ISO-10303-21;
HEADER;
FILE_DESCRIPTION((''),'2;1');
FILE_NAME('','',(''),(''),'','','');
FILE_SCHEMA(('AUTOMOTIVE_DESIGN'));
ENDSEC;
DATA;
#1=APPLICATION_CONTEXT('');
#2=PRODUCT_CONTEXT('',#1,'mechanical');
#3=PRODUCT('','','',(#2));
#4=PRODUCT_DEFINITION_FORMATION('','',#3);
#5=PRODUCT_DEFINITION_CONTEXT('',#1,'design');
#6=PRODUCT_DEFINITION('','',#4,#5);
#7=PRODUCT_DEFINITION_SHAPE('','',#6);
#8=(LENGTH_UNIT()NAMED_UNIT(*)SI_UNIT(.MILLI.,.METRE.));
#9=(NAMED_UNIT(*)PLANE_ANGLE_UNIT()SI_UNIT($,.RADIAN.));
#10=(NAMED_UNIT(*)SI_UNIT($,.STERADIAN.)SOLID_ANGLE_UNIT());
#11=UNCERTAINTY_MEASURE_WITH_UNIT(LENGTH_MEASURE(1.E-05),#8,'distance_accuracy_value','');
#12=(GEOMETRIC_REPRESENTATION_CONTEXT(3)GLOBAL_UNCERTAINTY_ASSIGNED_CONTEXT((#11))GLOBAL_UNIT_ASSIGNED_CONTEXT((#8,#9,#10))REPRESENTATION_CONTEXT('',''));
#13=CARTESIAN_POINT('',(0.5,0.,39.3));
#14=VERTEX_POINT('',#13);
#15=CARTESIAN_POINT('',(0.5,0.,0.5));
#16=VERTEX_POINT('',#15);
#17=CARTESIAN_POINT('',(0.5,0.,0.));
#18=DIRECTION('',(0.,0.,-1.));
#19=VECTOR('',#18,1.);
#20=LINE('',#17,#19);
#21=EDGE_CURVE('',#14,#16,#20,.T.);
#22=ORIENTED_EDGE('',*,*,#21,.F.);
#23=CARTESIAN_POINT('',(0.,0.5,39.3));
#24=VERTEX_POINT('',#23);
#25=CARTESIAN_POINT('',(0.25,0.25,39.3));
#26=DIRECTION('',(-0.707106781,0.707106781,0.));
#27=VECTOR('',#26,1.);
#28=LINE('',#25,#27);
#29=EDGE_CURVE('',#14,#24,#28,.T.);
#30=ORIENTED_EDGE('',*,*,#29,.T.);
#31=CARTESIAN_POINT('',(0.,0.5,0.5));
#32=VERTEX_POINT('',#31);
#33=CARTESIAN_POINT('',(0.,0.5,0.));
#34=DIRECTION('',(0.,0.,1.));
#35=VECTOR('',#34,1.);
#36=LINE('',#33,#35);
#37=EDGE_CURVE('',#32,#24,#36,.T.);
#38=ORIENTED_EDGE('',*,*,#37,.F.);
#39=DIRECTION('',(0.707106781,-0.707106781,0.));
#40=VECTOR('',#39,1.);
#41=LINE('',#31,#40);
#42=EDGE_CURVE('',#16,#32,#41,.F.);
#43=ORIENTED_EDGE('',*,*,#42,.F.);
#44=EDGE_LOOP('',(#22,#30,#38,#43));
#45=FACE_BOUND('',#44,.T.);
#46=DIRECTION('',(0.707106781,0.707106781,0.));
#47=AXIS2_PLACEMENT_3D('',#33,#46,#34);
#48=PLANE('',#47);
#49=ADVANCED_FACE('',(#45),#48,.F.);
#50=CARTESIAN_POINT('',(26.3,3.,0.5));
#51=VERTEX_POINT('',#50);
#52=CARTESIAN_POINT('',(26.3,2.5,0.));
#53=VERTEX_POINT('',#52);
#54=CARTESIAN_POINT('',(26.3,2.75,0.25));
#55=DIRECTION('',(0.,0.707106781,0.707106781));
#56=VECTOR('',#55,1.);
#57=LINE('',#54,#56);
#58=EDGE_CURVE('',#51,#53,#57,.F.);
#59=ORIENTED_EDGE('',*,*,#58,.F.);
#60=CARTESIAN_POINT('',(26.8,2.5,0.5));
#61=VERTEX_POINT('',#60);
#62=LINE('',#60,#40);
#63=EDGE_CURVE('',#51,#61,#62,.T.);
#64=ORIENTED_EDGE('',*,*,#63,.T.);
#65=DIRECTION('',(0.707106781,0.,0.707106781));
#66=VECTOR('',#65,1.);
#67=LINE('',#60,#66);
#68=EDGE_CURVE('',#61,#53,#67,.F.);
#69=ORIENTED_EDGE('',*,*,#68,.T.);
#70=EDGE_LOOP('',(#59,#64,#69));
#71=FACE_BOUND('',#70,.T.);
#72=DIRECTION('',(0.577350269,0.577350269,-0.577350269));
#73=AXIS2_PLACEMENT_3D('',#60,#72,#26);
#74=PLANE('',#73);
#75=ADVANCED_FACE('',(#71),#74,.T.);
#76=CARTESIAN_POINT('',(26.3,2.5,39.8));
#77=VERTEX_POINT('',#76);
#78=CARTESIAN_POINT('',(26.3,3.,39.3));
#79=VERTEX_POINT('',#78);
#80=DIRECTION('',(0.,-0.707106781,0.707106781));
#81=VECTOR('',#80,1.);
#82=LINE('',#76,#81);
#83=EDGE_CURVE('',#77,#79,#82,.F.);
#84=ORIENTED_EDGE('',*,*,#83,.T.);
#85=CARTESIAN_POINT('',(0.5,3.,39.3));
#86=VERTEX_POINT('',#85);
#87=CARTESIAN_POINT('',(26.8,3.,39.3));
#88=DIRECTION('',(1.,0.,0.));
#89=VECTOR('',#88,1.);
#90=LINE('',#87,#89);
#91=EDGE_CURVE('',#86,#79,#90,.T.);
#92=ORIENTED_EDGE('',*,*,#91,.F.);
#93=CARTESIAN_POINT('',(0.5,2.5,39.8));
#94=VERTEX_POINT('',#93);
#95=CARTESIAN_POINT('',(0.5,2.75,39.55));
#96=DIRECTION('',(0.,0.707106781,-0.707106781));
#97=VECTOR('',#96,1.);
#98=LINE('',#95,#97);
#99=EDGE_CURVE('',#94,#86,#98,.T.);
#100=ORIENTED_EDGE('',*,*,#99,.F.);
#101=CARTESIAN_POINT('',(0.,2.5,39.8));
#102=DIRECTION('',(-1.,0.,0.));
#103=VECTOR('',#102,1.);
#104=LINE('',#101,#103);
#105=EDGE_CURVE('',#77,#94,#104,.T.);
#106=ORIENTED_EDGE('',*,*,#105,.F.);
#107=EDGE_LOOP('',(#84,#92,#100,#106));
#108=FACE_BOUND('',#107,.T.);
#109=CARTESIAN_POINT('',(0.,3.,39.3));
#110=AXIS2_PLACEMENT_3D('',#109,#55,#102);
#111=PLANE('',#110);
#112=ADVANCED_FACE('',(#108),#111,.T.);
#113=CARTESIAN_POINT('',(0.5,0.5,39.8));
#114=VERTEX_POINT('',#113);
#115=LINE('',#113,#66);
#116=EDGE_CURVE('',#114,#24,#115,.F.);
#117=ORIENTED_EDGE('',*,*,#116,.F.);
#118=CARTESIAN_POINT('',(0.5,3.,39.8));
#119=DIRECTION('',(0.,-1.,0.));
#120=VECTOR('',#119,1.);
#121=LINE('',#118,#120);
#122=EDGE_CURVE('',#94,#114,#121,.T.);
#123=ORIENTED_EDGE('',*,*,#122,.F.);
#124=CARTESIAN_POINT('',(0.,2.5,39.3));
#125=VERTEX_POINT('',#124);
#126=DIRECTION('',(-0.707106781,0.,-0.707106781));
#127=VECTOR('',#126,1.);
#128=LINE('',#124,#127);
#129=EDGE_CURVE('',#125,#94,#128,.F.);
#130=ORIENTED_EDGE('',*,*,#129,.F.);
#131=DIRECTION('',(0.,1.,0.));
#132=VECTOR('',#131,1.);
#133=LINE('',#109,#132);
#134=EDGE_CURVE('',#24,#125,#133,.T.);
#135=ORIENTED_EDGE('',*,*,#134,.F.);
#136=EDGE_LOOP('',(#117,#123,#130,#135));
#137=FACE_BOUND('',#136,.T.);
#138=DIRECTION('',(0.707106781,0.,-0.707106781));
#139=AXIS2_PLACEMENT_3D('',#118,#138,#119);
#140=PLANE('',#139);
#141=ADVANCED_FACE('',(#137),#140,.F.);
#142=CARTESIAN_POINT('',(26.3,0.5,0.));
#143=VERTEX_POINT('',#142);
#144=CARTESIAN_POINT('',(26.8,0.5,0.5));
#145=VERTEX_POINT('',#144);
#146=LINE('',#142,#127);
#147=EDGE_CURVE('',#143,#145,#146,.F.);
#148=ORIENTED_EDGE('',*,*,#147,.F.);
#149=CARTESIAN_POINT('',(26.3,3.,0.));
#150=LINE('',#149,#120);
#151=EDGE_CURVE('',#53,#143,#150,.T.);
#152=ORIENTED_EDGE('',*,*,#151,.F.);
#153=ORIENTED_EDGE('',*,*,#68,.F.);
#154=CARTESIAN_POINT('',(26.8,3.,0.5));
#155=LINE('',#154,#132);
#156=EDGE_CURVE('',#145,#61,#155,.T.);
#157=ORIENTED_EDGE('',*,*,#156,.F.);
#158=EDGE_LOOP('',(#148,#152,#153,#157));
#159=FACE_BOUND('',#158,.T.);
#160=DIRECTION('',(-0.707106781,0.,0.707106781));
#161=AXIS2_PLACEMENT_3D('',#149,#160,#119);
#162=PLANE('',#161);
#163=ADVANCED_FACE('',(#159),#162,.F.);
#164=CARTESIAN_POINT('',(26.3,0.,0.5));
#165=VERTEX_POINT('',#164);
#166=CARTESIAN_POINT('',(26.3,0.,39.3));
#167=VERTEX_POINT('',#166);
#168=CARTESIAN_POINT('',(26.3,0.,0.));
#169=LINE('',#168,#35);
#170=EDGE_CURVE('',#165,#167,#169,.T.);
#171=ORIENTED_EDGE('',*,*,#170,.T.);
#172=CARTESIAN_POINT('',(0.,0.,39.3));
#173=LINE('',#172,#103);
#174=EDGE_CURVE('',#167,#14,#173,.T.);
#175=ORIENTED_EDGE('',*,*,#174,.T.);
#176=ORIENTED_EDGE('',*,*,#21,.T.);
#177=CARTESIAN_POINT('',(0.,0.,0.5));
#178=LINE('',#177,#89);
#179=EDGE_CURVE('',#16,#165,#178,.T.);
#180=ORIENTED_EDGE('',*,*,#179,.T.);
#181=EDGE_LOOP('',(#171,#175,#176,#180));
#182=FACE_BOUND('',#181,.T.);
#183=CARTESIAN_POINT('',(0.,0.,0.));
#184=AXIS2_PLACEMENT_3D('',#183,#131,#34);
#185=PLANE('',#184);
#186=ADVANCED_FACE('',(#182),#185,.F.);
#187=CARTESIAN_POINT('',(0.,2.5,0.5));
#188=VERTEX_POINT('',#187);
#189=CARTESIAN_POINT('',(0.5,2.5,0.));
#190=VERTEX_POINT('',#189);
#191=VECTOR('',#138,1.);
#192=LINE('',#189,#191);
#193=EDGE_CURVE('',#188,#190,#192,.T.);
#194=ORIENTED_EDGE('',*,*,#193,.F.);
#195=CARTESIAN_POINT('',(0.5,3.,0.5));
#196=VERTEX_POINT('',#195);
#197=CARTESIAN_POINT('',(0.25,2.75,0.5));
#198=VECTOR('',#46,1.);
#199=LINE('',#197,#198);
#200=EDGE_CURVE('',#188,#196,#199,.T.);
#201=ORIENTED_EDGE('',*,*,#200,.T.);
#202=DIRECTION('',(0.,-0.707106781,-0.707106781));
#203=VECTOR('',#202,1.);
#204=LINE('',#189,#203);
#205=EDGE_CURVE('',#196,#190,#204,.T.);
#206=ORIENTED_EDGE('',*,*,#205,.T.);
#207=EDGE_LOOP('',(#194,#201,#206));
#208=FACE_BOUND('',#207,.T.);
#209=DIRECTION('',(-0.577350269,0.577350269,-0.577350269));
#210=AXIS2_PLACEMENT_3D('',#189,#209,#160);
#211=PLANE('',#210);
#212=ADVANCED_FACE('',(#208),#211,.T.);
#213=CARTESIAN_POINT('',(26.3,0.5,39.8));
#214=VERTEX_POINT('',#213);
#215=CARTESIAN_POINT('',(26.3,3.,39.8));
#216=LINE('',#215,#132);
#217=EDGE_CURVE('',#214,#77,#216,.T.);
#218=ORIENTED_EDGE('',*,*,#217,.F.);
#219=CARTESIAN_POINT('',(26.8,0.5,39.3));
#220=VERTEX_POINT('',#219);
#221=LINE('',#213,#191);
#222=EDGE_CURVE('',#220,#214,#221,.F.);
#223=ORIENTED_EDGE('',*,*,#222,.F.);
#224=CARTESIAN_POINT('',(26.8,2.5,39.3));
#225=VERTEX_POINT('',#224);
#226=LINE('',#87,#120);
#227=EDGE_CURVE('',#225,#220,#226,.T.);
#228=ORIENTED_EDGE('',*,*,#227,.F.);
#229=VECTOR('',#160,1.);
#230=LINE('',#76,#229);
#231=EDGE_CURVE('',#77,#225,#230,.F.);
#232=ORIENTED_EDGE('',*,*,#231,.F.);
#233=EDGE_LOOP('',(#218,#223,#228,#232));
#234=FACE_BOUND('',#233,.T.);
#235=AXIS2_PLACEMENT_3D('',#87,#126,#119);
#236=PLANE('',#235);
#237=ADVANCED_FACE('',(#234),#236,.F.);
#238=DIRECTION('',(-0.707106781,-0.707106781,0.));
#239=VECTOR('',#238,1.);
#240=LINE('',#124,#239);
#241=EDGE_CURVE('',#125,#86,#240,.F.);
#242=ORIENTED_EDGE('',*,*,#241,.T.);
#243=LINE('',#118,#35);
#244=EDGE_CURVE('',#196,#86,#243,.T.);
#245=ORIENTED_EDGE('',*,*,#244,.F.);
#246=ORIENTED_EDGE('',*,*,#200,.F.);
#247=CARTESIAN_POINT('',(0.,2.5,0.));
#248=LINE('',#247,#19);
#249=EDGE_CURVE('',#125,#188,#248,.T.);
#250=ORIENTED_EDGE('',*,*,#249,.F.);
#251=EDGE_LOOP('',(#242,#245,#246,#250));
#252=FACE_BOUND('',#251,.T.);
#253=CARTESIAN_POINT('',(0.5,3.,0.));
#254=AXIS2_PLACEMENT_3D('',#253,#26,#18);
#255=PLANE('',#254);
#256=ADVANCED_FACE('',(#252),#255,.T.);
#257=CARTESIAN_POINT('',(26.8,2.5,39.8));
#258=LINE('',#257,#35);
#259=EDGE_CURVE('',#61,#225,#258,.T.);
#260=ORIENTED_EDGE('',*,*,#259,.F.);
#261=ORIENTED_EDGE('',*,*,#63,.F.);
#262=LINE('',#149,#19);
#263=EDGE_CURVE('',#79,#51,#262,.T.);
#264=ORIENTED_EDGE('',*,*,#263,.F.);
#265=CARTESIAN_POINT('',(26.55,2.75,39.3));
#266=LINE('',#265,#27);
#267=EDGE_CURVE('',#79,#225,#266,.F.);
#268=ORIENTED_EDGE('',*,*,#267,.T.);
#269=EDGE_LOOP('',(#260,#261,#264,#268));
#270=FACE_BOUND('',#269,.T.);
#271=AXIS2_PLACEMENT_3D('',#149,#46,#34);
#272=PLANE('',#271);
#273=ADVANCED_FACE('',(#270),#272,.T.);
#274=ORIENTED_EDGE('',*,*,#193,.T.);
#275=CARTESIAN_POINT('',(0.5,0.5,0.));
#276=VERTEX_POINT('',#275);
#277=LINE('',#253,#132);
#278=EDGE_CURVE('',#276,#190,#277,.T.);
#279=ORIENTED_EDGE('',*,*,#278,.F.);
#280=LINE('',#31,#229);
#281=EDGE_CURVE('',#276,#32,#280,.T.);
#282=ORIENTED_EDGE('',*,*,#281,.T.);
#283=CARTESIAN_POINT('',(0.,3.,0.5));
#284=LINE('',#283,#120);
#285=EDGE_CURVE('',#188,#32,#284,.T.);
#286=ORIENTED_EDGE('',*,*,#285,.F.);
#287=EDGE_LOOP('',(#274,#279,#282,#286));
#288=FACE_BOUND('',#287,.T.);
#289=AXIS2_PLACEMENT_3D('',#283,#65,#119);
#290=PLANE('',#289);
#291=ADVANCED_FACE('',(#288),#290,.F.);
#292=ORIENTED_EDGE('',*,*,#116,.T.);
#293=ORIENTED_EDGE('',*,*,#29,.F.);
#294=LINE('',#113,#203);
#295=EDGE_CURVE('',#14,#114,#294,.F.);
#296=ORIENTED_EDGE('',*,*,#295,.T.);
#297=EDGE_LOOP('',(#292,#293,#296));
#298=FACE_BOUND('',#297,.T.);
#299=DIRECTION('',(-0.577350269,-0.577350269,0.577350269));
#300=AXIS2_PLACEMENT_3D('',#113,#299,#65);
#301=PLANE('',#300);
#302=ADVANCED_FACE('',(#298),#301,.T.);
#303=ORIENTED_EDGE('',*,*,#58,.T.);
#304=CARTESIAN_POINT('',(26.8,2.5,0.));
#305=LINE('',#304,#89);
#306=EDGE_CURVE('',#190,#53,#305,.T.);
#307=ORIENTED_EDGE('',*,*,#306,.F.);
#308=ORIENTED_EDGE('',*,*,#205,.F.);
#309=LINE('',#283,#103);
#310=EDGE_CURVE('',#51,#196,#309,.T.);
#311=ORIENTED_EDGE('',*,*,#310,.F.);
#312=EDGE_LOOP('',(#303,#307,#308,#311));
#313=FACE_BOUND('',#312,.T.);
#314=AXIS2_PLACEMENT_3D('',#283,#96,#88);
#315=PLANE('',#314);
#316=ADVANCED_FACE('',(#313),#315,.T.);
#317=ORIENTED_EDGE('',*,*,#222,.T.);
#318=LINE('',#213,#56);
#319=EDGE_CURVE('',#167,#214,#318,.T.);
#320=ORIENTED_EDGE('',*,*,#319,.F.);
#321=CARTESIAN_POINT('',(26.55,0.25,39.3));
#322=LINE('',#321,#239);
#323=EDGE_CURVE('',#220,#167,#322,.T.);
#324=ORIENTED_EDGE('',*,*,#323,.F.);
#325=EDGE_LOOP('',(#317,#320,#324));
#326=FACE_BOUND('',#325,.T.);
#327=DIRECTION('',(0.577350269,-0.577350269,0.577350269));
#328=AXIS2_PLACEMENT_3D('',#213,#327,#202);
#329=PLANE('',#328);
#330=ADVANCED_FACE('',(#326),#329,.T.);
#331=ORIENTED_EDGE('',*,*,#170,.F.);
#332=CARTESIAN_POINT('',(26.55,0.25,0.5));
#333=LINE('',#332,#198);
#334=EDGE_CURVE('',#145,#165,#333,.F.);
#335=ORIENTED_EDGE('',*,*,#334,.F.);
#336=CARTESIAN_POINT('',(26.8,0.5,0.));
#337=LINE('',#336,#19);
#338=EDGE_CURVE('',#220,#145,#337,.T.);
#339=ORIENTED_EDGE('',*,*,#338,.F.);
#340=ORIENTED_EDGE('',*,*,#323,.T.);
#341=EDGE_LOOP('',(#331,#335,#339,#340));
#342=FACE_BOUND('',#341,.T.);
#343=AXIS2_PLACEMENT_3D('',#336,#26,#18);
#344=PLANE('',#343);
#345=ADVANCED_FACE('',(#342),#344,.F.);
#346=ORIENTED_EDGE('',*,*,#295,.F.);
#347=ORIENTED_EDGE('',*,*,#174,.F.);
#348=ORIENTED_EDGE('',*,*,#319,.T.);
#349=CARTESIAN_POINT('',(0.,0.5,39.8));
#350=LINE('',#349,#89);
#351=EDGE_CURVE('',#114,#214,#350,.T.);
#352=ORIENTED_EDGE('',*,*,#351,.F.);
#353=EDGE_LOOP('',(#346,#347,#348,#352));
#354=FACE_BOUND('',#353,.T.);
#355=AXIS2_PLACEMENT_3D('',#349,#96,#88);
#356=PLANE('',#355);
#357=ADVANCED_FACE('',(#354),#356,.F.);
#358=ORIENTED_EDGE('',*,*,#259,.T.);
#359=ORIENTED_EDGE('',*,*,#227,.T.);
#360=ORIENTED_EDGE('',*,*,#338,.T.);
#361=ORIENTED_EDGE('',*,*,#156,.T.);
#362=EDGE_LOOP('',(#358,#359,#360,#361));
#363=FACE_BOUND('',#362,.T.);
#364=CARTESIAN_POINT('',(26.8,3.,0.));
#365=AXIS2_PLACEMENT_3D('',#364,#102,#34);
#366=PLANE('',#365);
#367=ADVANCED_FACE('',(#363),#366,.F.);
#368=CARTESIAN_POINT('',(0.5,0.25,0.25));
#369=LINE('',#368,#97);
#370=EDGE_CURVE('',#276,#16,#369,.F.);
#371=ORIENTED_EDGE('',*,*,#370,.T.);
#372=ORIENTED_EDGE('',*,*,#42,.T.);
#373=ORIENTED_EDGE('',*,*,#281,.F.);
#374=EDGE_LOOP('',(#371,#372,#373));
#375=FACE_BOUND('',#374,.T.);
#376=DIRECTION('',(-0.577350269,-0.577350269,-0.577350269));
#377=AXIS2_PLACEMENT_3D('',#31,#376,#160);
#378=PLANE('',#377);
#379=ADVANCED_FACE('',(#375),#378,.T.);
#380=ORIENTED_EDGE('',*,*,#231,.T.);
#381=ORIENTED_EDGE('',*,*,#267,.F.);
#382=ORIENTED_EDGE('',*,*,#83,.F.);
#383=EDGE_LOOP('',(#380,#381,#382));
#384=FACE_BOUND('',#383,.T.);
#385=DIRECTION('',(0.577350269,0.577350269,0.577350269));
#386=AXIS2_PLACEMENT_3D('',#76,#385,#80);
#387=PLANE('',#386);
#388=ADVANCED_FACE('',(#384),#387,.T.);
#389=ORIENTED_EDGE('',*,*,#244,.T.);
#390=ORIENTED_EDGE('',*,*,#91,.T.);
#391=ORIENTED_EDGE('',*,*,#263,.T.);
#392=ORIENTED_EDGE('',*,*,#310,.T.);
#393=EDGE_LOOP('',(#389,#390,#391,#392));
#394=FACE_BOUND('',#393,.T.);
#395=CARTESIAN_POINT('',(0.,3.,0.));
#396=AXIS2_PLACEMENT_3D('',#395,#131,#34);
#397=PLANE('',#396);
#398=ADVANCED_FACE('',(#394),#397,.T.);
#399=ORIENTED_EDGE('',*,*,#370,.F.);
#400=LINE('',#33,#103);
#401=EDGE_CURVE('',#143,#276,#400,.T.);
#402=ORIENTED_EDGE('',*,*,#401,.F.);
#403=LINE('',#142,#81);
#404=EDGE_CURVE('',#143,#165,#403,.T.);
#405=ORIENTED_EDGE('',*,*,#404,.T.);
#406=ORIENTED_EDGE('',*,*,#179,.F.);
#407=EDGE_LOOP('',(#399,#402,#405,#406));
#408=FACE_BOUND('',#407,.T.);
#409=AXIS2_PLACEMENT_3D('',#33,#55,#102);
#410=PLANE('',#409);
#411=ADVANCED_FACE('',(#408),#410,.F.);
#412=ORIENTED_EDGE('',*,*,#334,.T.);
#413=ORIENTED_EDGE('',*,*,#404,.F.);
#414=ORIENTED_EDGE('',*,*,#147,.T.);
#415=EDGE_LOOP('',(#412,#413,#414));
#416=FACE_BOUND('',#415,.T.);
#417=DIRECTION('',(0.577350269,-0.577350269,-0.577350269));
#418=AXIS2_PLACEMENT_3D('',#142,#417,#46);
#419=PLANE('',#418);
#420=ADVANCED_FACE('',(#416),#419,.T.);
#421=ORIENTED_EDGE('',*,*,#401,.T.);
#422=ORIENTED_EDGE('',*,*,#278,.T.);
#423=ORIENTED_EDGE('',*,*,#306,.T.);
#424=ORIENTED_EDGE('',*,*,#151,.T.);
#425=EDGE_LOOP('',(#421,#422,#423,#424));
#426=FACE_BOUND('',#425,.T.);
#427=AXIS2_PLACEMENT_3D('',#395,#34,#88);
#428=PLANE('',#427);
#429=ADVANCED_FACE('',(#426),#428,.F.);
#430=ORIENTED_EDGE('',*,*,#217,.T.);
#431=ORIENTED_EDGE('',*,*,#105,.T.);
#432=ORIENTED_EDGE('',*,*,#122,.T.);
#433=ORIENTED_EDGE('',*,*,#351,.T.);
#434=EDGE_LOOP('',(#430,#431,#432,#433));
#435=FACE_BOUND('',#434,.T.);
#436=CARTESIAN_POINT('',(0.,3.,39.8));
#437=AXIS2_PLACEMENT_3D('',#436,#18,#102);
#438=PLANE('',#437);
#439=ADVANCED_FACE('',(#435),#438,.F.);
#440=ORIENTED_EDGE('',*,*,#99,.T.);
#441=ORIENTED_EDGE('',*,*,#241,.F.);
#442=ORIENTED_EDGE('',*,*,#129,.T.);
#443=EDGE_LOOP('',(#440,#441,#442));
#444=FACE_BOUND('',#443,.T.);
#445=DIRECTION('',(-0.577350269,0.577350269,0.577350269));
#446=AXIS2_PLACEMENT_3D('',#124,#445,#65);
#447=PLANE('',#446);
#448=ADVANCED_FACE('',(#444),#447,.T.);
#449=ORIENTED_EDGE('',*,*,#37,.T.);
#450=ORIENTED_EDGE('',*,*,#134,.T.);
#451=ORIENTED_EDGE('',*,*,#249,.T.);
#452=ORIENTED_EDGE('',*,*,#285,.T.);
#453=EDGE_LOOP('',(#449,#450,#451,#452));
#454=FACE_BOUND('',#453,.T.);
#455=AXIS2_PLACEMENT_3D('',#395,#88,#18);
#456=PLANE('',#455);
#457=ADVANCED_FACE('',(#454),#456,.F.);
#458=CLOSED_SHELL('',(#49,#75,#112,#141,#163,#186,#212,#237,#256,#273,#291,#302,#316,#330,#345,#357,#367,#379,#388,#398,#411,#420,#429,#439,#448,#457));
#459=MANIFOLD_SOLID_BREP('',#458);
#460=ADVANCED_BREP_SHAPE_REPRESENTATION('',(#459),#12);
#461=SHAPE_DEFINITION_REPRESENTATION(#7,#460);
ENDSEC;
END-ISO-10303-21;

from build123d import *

# Parameters (mm, degrees)
SKETCH1_W           = 26.8
SKETCH1_H           = 39.8
BOSS_EXTRUDE1_DEPTH = 3
CHAMFER1_SIZE       = 0.5


with BuildPart() as part:
    # Sketch1 → Boss-Extrude1 (new body)
    with BuildSketch(Plane(origin=(0, 0, 0), x_dir=(1, 0, 0), z_dir=(0, 1, 0))):
        with Locations((13.4, -19.9)):
            Rectangle(SKETCH1_W, SKETCH1_H)
    extrude(amount=BOSS_EXTRUDE1_DEPTH)

    # Chamfer1
    chamfer1_edges = [part.edges().sort_by_distance(p)[0] for p in [
        (26.8, 3, 19.9),
        (13.4, 3, 0),
        (0, 3, 19.9),
        (13.4, 0, 0),
        (26.8, 0, 19.9),
        (13.4, 0, 39.8),
        (0, 0, 19.9),
        (13.4, 3, 39.8),
        (0, 1.5, 0),
        (26.8, 1.5, 0),
        (26.8, 1.5, 39.8),
        (0, 1.5, 39.8),
    ]]
    chamfer(chamfer1_edges, length=CHAMFER1_SIZE)


solid = part.part
